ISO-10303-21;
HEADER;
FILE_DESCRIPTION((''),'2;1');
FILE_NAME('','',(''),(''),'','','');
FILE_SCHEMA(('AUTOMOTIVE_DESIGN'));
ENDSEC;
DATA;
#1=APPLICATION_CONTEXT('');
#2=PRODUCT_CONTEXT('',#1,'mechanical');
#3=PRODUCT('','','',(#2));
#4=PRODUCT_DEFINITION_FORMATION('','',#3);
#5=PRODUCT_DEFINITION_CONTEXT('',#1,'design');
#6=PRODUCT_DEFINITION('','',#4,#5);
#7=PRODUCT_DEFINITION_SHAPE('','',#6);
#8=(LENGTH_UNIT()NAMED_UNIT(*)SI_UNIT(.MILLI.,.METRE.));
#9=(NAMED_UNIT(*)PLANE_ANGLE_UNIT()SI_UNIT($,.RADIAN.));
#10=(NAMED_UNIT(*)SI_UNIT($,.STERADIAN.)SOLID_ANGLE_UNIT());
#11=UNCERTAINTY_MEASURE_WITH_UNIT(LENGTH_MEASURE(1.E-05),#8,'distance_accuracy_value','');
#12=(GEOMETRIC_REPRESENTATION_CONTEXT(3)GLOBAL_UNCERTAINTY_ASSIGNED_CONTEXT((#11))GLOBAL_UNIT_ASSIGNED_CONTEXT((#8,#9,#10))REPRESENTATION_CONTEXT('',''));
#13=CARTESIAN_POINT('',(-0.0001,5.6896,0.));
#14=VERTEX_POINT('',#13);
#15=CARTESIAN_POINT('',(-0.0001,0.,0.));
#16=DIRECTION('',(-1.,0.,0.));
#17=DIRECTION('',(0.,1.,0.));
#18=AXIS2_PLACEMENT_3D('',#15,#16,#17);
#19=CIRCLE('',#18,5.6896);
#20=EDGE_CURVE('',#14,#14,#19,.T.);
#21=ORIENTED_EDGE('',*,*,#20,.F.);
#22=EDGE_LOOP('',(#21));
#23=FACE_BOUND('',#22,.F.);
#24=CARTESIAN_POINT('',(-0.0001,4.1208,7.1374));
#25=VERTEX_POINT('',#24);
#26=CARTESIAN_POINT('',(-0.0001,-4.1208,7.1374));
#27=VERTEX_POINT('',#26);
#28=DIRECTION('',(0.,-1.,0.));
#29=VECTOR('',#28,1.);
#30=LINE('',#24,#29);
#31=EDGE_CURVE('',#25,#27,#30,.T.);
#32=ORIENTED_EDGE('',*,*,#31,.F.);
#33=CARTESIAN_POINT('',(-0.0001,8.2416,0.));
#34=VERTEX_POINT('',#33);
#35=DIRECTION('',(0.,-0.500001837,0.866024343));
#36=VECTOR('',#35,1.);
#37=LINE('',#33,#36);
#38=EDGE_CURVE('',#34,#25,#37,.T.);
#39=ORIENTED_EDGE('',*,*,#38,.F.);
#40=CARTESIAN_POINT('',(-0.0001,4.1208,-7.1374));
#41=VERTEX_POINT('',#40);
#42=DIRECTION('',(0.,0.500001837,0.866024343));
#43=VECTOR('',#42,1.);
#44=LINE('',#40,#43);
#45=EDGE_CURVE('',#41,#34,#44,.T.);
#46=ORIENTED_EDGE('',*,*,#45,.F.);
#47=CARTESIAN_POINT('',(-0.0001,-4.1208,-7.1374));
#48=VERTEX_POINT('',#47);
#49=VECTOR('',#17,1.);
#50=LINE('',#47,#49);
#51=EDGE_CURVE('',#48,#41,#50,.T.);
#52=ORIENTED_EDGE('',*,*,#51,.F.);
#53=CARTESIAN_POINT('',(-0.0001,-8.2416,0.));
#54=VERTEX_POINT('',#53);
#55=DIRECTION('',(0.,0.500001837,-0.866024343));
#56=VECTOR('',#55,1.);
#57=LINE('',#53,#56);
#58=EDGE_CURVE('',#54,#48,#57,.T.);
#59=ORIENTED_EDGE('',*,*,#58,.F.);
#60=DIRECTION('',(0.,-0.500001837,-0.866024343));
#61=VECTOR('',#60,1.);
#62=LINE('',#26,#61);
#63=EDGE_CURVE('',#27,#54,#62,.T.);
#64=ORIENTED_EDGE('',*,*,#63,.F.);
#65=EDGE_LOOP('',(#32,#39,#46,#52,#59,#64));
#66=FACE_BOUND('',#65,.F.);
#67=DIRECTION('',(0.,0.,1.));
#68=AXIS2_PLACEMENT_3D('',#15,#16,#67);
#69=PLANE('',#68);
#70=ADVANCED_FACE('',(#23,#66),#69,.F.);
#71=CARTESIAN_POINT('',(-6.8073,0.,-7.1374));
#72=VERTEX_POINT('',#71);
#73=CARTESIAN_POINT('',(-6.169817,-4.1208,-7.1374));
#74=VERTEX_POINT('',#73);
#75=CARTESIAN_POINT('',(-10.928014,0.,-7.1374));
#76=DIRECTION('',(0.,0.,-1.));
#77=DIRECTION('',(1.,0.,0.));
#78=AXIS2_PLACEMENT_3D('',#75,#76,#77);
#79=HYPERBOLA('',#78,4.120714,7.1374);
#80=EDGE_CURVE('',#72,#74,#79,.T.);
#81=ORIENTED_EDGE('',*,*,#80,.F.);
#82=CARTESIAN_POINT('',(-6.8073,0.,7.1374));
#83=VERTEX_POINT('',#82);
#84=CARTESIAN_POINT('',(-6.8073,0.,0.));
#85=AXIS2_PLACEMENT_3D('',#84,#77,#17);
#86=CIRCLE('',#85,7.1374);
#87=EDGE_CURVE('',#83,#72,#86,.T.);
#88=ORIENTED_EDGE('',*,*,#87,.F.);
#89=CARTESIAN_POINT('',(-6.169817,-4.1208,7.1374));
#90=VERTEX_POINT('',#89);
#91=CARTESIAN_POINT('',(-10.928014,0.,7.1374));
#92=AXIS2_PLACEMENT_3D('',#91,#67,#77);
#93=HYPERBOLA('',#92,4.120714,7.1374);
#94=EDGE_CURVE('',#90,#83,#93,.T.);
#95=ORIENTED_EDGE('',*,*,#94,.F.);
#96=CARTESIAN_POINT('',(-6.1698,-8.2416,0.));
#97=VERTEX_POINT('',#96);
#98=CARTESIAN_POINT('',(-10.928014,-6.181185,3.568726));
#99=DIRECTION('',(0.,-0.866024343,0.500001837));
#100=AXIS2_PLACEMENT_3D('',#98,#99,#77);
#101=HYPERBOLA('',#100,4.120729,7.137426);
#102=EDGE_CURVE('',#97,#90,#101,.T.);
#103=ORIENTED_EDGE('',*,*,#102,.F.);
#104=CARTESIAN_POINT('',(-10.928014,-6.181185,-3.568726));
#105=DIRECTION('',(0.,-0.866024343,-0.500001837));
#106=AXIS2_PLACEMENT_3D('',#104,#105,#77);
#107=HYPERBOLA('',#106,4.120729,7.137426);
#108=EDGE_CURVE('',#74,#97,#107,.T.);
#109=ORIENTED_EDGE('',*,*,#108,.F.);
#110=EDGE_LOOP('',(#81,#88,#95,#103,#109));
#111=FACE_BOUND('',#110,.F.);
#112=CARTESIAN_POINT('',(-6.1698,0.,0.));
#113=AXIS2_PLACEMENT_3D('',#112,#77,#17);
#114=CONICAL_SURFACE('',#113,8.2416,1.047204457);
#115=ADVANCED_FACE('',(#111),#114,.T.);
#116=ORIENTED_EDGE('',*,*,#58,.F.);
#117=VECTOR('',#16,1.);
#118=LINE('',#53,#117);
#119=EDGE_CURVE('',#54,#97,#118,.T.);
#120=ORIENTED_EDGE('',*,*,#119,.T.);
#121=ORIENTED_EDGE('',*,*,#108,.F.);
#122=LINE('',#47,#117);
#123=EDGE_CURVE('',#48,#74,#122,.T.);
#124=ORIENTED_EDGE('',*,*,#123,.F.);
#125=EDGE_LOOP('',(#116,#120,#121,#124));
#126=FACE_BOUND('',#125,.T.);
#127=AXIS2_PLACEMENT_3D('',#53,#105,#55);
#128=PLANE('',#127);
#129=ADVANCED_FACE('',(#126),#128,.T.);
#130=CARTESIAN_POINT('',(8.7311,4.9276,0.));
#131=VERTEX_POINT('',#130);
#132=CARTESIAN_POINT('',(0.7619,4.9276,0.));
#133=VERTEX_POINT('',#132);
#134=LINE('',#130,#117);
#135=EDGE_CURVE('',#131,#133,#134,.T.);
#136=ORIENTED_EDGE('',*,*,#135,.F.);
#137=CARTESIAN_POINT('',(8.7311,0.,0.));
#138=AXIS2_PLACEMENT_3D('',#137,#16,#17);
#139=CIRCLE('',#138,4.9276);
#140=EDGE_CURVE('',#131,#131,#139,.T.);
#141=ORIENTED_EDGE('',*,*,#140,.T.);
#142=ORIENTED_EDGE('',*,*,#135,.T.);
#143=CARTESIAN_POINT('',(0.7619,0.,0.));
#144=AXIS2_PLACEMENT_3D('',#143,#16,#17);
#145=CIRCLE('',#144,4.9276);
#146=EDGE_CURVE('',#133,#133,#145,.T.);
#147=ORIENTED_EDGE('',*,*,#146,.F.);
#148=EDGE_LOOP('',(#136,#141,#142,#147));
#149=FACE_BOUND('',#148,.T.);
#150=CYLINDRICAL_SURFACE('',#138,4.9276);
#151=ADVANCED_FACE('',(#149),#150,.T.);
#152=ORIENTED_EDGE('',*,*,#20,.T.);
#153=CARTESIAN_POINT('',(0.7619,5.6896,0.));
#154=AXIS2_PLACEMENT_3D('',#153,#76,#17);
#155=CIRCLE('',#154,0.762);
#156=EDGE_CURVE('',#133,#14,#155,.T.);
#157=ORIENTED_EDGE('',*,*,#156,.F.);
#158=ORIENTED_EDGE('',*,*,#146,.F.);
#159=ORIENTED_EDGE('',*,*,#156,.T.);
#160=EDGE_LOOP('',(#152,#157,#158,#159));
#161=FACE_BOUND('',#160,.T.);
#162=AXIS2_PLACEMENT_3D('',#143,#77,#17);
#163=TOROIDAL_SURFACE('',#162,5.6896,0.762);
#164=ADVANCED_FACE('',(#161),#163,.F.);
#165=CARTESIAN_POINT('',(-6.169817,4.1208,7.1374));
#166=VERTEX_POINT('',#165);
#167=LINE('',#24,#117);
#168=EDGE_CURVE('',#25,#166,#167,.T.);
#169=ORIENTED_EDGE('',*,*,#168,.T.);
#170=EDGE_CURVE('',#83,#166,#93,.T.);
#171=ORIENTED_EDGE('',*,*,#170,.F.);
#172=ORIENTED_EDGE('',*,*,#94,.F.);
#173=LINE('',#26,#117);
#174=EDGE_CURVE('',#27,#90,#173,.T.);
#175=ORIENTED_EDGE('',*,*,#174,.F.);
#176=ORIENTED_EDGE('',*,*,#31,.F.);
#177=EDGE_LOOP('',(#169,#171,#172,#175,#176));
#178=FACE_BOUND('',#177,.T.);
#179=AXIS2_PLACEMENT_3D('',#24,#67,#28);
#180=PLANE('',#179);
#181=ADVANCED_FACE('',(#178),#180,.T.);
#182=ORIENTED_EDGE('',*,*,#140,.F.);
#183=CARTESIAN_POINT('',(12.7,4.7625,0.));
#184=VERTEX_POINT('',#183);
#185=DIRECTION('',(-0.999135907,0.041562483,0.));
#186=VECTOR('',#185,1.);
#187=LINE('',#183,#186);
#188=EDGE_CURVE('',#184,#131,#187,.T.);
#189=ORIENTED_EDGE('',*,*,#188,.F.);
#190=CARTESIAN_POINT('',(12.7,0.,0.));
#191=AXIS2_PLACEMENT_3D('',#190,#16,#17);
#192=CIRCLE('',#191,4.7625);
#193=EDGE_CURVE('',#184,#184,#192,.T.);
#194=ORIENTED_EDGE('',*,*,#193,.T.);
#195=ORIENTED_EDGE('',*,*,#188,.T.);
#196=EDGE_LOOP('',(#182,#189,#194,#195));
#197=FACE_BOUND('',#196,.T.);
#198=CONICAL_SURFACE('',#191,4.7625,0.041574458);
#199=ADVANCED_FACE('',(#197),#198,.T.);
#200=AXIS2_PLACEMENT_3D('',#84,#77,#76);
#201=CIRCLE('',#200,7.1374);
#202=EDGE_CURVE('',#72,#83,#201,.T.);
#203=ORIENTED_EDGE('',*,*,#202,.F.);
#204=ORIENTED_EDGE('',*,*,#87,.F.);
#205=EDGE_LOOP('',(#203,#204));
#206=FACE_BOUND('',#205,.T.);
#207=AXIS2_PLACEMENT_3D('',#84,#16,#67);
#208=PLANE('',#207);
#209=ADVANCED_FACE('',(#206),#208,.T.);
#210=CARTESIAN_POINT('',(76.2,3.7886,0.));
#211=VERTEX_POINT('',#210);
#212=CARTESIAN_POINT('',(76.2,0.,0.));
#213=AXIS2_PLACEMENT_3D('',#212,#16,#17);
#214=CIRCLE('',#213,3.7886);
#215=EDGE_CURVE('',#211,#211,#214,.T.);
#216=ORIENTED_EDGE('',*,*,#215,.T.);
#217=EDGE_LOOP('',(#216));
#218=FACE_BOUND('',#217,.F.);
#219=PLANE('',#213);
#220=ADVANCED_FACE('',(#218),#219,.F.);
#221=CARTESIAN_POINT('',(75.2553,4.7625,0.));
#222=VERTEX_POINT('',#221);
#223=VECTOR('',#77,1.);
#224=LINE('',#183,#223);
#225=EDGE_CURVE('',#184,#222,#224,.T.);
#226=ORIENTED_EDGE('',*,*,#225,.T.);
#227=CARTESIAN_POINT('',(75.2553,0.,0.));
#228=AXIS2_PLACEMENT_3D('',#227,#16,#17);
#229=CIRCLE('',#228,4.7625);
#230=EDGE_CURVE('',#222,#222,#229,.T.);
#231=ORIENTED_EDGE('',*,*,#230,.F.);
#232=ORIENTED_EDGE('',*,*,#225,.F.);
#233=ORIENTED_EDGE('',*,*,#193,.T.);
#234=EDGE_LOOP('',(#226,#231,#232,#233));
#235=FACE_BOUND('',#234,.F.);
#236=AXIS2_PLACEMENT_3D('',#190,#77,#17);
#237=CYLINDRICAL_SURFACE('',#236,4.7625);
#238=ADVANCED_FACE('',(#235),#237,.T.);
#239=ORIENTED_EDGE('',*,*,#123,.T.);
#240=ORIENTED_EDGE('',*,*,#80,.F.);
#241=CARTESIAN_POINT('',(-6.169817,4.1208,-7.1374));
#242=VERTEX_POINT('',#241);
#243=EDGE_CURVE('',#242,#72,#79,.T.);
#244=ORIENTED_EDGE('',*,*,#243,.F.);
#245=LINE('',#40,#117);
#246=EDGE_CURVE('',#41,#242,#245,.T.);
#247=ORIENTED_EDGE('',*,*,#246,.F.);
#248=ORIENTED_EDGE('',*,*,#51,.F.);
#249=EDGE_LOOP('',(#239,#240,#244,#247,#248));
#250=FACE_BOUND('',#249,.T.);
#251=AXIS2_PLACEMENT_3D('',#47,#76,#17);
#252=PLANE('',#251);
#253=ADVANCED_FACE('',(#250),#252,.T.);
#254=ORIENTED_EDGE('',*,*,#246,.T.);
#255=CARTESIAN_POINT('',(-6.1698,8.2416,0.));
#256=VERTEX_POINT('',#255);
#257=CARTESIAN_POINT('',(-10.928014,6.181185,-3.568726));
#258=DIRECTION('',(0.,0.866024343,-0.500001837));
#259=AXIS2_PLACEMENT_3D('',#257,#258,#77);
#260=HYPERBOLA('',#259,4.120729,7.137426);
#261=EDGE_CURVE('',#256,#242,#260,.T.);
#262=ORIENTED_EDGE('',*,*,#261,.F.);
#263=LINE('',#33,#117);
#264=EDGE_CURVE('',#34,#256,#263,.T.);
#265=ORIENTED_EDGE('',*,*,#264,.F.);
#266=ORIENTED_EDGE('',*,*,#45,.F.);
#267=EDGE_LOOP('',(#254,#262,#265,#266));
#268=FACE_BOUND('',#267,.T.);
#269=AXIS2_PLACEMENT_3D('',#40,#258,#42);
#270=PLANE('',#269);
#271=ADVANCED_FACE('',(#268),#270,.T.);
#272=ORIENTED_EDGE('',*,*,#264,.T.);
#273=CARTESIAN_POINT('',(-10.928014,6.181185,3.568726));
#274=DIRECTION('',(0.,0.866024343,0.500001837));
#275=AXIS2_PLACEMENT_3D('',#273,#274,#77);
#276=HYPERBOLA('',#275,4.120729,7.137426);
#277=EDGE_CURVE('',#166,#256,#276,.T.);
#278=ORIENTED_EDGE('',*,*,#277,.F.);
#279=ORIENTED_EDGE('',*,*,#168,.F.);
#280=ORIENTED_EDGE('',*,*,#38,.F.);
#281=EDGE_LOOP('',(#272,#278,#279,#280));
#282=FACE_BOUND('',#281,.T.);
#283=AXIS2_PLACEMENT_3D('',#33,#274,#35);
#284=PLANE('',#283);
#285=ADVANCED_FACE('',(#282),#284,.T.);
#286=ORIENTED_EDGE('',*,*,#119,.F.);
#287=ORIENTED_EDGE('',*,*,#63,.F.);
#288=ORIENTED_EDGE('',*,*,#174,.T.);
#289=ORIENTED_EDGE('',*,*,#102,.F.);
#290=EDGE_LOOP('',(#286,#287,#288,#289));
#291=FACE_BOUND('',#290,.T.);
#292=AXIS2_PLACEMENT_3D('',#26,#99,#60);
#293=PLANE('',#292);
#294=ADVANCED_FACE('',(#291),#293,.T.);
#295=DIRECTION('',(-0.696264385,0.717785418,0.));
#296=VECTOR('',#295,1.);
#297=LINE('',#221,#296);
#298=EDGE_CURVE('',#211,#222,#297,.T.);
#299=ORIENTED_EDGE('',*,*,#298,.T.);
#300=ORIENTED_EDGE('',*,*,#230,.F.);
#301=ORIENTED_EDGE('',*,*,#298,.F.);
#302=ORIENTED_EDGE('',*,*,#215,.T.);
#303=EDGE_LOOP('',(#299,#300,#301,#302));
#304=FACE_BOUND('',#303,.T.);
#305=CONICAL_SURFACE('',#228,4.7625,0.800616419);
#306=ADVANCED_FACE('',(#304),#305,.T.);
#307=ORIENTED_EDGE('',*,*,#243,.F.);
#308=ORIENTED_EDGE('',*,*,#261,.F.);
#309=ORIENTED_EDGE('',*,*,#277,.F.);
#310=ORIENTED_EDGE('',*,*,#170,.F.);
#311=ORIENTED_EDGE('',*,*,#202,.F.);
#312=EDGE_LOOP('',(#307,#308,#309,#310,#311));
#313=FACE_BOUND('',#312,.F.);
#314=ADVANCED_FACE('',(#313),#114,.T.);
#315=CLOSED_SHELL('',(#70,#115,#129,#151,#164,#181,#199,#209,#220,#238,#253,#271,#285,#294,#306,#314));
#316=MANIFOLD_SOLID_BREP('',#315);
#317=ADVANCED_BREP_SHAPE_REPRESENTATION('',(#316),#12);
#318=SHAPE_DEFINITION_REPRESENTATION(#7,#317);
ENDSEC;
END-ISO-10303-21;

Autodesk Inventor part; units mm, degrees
ref_plane "YZ Plane" through (0, 0, 0) normal (1, 0, 0) x (0, 1, 0)
ref_plane "XZ Plane" through (0, 0, 0) normal (0, 1, 0) x (-1, 0, 0)
sketch "Sketch1" plane through (0, 0, 0) normal (0, 0, 1) x (1, 0, 0)
  line L0 (0, 7.1374) -> (0, 4.9276)
  line L1 (12.7, 4.7625) -> (76.2, 4.7625)
  line L2 (76.2, 4.7625) -> (76.2, 0)
  line L3 (76.2, 0) -> (-0.0001, 0)
  line L4 (-15.2401, 0) -> (91.44, 0) projected
  line L5 (-0.0001, 0) -> (-0.0001, 7.1374)
  line L6 (-0.0001, 7.1374) -> (0, 7.1374)
  line L7 (12.7, 4.7625) -> (8.7311, 4.9276)
  line L8 (8.7311, 4.9276) -> (0, 4.9276)
  line L9 (0, -1.4275) -> (0, 8.5649) projected
  dimension "d0" = 76.2
  dimension "d1" = 63.5
revolve "Body" add sketch "Sketch1" angle 360 about axis through (76.2, 0, 0) along (-1, 0, 0)
sketch "Sketch2" plane through (-0.0001, 0, 0) normal (-1, 0, 0) x (0, 0, 1)
  line L0 (0, 8.2416) -> (7.1374, 4.1208)
  line L1 (7.1374, 4.1208) -> (7.1374, -4.1208)
  line L2 (7.1374, -4.1208) -> (0, -8.2416)
  line L3 (0, -8.2416) -> (-7.1374, -4.1208)
  line L4 (-7.1374, -4.1208) -> (-7.1374, 4.1208)
  line L5 (-7.1374, 4.1208) -> (0, 8.2416)
  point P0 (0, 0)
  point P1 (0, 0)
  dimension "d11" = 14.2748
extrude "Head" add sketch "Sketch2" along normal blind 6.8072
sketch "Sketch4" plane through (0, 0, 0) normal (0, 0, 1) x (1, 0, 0)
  line L0 (-6.8073, 7.1374) -> (-6.8073, 8.2416)
  line L1 (-6.8073, 8.2416) -> (-6.1698, 8.2416)
  line L2 (-6.1698, 8.2416) -> (-6.8073, 7.1374)
  line L3 (-8.1687, 0) -> (1.3613, 0) projected
  line L4 (-0.0001, 8.2416) -> (-6.8073, 8.2416) projected
  line L5 (-6.8073, 4.1208) -> (-6.8073, 8.2416) projected
  dimension "d5" = 30
  dimension "d19" = 14.2748
revolve "Chamfer1" cut sketch "Sketch4" angle 360 about axis through (-10, 0, 0) along (1, 0, 0)
thread "Thread" size "3/8-16 UNC" class "2A" standard "ANSI Unified Screw Threads" full length
chamfer "Chamfer2" distance 0.9739 distance2 0.9447 1 edges at (76.2, -4.7625, 0) measured on face at (76.2, -0.5629, 0.6211)
ref_plane "Work Plane1" through (1.525, 0, 0) normal (0, 0, 1) x (1, 0, 0)
fillet "Fillet2" radius 0.762 1 edges at (0, -4.9276, 0)
equation "\"d63\" = R"
equation "\"d11\" = SW"
equation "\"d3\" = KOH - SD"
equation "\"d15\" = GEL"
equation "\"d6\" = -0.5 * SPD + 0.5 * GD"
equation "\"d5\" = ANG1"
equation "\"d19\" = SW0"
equation "\"NLG\" = 190.5"
equation "\"GD\" = NND"
equation "\"BDM\" = 9.8552"
equation "\"KOH\" = 6.8072"
equation "\"GEL\" = 31.75"
equation "\"SW\" = 14.2748"
equation "\"SW0\" = SW"
equation "\"SPD\" = GD1"
equation "\"SD2\" = SW"
equation "\"SD\" = 0"
equation "\"ANG1\" = 30deg"
equation "\"GAL\" = 3.96875"
equation "\"GUL\" = 0.238 * GAL"
equation "\"R\" = 0.762"
equation "\"d62\" = -NLG - SD + GUL"
equation "\"GD1\" = 7.5773"
equation "\"THREADDIA\" = 9.525"
equation "\"TOA\" = 30deg"
equation "\"NND\" = 9.525"
equation "\"E0\" = 1.155 * SW"
properties part number "am-1055" material "Steel, Mild"
